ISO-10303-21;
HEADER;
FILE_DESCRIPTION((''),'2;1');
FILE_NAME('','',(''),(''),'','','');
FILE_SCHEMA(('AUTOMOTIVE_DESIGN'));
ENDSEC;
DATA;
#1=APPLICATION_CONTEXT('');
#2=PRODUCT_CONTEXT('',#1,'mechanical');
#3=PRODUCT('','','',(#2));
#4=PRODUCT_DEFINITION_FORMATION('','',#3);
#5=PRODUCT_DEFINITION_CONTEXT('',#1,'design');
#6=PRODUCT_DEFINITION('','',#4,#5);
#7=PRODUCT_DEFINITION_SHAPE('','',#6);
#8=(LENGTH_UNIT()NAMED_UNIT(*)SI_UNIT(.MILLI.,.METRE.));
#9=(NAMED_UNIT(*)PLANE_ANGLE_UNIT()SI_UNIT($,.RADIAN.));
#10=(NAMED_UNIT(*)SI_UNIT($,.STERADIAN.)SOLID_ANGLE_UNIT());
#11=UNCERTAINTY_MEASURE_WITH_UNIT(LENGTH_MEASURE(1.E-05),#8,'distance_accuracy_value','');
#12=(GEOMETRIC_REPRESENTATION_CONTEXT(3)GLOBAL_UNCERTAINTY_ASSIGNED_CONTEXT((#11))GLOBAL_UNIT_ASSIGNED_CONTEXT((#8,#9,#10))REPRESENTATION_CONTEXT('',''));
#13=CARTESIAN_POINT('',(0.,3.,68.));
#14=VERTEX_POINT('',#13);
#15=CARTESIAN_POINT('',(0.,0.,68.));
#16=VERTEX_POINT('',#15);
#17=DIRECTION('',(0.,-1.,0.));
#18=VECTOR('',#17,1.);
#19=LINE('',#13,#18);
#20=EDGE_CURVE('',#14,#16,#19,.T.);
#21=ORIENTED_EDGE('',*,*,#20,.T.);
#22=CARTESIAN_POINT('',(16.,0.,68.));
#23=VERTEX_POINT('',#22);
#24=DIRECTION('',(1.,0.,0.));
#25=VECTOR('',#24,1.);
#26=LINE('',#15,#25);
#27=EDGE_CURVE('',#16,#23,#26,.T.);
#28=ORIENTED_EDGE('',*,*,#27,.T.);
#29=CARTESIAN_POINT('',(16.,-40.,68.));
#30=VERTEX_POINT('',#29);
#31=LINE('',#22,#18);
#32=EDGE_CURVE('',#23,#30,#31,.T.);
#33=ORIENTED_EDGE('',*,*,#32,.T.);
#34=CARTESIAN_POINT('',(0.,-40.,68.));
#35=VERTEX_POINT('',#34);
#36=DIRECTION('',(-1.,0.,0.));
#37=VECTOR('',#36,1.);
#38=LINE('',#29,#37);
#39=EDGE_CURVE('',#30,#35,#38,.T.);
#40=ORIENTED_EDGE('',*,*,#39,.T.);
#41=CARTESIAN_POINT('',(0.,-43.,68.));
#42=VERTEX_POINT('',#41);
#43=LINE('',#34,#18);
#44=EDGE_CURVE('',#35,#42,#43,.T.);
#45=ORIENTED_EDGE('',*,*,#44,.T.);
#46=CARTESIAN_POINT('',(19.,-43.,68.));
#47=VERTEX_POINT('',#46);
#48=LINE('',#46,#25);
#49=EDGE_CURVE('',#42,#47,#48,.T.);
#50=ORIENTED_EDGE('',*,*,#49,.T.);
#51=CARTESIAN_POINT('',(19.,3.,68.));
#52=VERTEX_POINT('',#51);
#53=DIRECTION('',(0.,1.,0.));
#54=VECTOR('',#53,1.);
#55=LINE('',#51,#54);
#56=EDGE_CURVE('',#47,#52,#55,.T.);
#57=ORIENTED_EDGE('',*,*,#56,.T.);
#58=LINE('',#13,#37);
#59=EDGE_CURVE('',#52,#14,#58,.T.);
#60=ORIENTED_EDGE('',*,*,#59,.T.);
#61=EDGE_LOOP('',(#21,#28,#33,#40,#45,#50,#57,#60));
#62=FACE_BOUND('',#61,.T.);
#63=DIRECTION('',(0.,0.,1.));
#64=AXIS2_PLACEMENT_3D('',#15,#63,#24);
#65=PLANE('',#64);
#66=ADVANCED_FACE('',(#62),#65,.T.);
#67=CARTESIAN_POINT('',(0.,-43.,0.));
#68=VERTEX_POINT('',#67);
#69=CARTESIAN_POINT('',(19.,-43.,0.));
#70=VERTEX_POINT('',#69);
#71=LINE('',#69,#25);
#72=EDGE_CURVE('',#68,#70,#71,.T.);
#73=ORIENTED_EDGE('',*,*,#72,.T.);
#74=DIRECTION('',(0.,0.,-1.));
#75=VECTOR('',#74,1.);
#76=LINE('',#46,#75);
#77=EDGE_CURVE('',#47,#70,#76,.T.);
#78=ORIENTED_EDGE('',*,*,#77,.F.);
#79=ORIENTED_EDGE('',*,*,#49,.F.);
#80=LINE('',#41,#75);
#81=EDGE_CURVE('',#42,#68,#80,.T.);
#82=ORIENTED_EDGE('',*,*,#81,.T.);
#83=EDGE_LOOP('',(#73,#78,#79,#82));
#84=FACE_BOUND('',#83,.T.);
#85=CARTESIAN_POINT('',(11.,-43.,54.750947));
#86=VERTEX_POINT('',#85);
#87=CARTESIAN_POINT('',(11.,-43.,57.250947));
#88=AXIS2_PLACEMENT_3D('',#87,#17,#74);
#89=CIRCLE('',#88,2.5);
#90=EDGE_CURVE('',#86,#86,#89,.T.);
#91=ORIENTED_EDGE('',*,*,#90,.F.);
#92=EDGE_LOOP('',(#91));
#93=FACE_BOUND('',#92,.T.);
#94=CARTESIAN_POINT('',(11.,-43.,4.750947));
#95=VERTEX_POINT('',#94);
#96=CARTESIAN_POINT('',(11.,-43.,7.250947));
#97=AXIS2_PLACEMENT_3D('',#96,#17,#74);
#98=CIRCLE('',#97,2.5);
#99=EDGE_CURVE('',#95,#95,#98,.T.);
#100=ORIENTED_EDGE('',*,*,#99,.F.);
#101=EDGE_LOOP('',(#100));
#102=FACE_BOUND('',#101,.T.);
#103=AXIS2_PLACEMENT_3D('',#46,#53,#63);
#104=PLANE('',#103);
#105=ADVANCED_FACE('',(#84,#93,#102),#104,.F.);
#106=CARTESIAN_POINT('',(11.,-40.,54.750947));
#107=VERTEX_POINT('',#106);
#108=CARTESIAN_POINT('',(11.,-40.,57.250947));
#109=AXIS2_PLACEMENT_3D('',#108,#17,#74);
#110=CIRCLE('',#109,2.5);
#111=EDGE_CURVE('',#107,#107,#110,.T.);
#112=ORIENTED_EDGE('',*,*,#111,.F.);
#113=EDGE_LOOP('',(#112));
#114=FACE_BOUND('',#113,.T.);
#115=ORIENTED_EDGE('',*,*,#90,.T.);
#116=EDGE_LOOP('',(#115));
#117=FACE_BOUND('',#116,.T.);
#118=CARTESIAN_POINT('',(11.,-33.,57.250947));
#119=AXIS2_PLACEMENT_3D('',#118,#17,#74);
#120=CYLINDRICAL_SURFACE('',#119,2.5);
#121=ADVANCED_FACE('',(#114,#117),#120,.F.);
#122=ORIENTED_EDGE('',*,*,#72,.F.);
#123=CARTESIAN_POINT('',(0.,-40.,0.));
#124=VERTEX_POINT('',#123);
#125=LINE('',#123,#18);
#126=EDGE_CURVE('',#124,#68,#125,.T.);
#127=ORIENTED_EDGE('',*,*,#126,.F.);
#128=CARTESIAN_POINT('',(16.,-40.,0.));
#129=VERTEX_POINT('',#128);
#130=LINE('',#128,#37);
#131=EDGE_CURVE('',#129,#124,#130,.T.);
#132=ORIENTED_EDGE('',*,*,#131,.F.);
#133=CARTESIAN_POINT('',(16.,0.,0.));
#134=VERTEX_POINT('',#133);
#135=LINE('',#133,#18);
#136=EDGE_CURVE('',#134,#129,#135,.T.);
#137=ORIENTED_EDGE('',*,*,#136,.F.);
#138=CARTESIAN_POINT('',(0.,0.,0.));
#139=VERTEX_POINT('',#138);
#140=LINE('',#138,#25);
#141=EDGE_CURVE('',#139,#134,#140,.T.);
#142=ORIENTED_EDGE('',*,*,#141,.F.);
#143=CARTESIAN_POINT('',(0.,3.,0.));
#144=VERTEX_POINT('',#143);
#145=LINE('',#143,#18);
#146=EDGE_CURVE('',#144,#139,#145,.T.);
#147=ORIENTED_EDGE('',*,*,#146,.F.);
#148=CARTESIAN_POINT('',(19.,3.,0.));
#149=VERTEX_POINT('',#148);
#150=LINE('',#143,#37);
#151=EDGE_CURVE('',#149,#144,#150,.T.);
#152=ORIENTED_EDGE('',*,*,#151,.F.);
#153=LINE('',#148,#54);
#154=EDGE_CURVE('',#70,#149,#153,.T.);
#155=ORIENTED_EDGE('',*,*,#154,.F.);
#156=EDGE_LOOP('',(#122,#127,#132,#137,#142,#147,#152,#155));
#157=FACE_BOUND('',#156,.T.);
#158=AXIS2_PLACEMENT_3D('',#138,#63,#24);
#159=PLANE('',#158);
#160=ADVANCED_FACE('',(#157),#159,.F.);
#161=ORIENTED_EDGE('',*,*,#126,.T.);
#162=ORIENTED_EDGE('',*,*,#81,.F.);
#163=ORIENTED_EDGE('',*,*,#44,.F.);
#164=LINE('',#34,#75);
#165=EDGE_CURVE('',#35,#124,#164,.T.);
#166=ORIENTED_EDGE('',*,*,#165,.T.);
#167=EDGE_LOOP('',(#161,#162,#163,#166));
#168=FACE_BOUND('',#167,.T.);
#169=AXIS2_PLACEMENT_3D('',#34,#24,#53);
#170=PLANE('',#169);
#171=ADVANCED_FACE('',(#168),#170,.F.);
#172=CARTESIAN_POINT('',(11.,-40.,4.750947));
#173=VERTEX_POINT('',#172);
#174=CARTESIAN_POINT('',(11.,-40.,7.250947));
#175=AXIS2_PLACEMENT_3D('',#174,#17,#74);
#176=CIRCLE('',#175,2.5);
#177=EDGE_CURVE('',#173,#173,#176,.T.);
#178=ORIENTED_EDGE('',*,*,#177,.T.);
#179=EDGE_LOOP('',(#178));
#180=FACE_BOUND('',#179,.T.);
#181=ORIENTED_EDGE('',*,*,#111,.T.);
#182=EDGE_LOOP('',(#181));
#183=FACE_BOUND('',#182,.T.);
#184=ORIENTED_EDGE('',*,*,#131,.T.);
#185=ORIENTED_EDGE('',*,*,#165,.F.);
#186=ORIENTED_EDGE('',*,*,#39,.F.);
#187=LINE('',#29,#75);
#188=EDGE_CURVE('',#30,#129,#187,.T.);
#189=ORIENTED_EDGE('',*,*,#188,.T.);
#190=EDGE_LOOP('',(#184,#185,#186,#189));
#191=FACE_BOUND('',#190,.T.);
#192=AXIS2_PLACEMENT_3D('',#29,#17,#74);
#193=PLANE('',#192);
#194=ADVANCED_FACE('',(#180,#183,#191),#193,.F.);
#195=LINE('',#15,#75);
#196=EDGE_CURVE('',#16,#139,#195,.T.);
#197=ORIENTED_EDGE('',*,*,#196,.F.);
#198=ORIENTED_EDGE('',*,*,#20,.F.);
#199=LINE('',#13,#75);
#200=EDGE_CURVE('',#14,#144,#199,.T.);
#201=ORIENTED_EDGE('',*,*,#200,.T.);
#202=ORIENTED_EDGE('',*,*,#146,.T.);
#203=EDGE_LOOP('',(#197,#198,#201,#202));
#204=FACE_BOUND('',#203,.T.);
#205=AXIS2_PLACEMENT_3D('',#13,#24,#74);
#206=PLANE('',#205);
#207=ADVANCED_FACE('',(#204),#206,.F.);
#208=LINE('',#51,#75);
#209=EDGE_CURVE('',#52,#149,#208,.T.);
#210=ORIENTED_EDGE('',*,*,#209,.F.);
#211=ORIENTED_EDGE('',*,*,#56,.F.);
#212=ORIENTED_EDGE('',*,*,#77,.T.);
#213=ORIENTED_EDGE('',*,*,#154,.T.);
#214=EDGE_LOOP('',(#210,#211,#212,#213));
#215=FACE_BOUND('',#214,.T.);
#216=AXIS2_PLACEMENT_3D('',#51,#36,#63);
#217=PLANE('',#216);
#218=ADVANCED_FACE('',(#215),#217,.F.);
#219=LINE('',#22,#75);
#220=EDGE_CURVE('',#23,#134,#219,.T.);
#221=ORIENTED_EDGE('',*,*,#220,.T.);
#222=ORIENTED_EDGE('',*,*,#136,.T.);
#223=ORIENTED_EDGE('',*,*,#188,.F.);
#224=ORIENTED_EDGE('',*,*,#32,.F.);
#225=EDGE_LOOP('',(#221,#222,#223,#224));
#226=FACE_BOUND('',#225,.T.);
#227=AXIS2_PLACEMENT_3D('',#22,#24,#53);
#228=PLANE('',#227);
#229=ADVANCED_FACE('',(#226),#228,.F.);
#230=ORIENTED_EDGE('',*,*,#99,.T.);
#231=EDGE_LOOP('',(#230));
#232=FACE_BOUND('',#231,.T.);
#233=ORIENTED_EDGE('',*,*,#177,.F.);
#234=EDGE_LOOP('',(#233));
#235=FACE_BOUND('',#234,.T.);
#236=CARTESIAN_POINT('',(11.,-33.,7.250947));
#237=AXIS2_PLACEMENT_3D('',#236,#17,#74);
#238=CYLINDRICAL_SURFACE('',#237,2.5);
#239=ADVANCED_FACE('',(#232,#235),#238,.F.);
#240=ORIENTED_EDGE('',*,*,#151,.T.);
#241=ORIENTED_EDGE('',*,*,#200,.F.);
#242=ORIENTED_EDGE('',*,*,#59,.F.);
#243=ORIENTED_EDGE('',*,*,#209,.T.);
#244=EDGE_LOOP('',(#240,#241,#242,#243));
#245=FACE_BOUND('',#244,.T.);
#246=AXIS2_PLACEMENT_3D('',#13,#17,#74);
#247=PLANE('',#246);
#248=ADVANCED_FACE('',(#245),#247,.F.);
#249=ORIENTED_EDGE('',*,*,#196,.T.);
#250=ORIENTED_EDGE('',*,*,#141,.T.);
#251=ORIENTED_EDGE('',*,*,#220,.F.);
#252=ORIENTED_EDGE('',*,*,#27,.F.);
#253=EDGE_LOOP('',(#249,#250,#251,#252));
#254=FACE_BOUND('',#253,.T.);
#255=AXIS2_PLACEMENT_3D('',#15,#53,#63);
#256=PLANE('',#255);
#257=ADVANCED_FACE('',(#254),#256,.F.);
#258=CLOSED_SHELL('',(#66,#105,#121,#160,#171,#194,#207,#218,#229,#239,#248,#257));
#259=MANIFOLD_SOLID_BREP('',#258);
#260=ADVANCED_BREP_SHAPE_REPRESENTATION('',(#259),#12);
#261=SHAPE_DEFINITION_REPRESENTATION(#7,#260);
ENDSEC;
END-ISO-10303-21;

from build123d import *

# Parameters (mm, degrees)
EXTRUDE_1_DEPTH     = 68
SKETCH_2_R          = 2.5
CUT_EXTRUDE_1_DEPTH = 10


with BuildPart() as part:
    # 草图1 → 凸台-拉伸1 (new body)
    with BuildSketch(Plane.XY):
        Polygon((0, 0), (16, 0), (16, -40), (0, -40), (0, -43), (19, -43), (19, 3), (0, 3), align=None)
    extrude(amount=EXTRUDE_1_DEPTH)

    # 草图2 → 切除-拉伸1 (cut)
    with BuildSketch(Plane.XZ.offset(43)):
        with Locations(Location((11, 7.250946933, 0), (0, 0, 270))):
            Circle(SKETCH_2_R)
        with Locations(Location((11, 57.250946933, 0), (0, 0, 270))):
            Circle(SKETCH_2_R)
    extrude(amount=-CUT_EXTRUDE_1_DEPTH, mode=Mode.SUBTRACT)


solid = part.part
